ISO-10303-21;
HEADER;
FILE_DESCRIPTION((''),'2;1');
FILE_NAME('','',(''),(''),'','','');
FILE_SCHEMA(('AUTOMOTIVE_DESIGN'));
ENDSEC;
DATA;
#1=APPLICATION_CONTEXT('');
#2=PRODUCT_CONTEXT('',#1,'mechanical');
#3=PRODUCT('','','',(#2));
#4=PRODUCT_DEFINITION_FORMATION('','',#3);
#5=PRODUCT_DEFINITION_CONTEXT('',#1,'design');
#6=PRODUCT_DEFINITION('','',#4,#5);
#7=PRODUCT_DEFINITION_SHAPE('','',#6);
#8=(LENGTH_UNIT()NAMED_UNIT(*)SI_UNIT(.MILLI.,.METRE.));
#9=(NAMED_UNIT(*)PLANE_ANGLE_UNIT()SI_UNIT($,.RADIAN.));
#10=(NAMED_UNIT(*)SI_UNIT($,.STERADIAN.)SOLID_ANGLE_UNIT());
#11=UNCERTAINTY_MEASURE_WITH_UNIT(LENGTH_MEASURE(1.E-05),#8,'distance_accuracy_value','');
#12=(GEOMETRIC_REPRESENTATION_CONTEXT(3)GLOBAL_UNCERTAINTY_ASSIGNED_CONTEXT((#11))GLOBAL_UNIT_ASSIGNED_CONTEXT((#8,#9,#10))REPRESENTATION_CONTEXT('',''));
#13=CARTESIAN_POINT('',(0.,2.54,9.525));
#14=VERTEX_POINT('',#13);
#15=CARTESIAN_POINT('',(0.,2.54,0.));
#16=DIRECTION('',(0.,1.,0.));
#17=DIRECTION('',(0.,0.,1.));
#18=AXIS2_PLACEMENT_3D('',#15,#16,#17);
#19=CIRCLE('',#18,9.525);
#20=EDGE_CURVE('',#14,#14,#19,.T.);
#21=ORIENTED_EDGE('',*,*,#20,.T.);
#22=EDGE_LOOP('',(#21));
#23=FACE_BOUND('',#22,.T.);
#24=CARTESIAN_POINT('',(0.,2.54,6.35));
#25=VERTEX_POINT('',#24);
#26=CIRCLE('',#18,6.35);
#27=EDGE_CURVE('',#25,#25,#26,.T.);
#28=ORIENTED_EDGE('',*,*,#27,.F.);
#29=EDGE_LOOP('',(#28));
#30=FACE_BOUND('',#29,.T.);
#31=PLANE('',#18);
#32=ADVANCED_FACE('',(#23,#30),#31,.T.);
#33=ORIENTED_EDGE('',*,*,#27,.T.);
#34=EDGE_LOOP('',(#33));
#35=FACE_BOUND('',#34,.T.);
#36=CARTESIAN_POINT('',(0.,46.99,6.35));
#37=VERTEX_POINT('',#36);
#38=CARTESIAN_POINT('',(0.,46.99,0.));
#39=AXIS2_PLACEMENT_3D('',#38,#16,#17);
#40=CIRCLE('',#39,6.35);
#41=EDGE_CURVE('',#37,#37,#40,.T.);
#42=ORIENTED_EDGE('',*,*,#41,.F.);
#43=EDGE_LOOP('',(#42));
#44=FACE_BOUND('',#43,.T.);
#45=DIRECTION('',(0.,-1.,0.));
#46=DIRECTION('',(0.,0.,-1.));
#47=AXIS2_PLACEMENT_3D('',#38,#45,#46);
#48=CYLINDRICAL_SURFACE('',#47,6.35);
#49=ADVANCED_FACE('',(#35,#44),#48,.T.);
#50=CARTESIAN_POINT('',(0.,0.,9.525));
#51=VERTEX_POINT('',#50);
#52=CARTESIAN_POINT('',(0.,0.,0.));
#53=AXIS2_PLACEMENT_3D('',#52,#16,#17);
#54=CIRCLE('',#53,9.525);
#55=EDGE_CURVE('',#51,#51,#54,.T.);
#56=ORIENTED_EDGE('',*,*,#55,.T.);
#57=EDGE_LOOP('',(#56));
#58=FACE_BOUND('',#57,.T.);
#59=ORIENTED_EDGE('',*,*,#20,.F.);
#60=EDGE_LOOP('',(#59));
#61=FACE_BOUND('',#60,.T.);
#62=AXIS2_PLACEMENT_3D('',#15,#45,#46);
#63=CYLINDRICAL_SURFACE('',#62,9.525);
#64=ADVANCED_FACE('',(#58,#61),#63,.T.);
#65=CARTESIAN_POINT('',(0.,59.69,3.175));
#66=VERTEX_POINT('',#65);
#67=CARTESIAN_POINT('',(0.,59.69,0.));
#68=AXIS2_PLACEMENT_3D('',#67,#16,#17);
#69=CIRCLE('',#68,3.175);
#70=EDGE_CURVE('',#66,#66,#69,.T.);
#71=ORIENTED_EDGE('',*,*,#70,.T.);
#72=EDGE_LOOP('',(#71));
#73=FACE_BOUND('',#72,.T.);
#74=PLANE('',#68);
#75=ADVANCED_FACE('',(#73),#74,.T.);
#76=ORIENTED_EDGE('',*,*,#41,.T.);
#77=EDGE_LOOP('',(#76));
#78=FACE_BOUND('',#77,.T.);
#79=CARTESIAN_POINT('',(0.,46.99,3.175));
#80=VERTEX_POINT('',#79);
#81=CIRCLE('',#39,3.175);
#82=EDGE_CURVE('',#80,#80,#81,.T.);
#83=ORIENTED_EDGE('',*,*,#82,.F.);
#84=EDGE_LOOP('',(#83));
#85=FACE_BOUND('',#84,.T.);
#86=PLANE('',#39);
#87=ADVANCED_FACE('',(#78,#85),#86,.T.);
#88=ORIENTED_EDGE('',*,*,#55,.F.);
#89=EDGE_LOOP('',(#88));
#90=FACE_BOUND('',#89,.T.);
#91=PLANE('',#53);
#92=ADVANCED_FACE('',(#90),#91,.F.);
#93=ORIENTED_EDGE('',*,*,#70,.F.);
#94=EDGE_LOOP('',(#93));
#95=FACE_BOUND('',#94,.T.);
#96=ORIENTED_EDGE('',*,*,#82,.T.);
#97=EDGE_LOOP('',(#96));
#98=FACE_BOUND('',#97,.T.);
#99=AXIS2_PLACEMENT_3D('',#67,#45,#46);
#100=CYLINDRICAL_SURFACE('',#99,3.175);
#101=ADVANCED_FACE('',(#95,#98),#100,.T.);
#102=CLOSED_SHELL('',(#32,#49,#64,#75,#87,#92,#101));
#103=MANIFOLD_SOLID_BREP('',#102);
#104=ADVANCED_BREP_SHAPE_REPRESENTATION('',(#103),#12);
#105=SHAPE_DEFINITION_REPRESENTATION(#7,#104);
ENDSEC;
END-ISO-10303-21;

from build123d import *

# Parameters (mm, degrees)
CROQUIS1_R              = 9.525
SALIENTE_EXTRUIR1_DEPTH = 2.54
CROQUIS2_R              = 6.35
SALIENTE_EXTRUIR2_DEPTH = 44.45
CROQUIS5_R              = 3.175
SALIENTE_EXTRUIR4_DEPTH = 12.7


with BuildPart() as part:
    # Croquis1 → Saliente-Extruir1 (new body)
    with BuildSketch(Plane(origin=(0, 0, 0), x_dir=(1, 0, 0), z_dir=(0, 1, 0))):
        Circle(CROQUIS1_R)
    extrude(amount=SALIENTE_EXTRUIR1_DEPTH)

    # Croquis2 → Saliente-Extruir2 (add)
    with BuildSketch(Plane(origin=(0, 2.54, 0), x_dir=(1, 0, 0), z_dir=(0, 1, 0))):
        Circle(CROQUIS2_R)
    extrude(amount=SALIENTE_EXTRUIR2_DEPTH)

    # Croquis5 → Saliente-Extruir4 (add)
    with BuildSketch(Plane(origin=(0, 46.99, 0), x_dir=(1, 0, 0), z_dir=(0, 1, 0))):
        Circle(CROQUIS5_R)
    extrude(amount=SALIENTE_EXTRUIR4_DEPTH)


solid = part.part
